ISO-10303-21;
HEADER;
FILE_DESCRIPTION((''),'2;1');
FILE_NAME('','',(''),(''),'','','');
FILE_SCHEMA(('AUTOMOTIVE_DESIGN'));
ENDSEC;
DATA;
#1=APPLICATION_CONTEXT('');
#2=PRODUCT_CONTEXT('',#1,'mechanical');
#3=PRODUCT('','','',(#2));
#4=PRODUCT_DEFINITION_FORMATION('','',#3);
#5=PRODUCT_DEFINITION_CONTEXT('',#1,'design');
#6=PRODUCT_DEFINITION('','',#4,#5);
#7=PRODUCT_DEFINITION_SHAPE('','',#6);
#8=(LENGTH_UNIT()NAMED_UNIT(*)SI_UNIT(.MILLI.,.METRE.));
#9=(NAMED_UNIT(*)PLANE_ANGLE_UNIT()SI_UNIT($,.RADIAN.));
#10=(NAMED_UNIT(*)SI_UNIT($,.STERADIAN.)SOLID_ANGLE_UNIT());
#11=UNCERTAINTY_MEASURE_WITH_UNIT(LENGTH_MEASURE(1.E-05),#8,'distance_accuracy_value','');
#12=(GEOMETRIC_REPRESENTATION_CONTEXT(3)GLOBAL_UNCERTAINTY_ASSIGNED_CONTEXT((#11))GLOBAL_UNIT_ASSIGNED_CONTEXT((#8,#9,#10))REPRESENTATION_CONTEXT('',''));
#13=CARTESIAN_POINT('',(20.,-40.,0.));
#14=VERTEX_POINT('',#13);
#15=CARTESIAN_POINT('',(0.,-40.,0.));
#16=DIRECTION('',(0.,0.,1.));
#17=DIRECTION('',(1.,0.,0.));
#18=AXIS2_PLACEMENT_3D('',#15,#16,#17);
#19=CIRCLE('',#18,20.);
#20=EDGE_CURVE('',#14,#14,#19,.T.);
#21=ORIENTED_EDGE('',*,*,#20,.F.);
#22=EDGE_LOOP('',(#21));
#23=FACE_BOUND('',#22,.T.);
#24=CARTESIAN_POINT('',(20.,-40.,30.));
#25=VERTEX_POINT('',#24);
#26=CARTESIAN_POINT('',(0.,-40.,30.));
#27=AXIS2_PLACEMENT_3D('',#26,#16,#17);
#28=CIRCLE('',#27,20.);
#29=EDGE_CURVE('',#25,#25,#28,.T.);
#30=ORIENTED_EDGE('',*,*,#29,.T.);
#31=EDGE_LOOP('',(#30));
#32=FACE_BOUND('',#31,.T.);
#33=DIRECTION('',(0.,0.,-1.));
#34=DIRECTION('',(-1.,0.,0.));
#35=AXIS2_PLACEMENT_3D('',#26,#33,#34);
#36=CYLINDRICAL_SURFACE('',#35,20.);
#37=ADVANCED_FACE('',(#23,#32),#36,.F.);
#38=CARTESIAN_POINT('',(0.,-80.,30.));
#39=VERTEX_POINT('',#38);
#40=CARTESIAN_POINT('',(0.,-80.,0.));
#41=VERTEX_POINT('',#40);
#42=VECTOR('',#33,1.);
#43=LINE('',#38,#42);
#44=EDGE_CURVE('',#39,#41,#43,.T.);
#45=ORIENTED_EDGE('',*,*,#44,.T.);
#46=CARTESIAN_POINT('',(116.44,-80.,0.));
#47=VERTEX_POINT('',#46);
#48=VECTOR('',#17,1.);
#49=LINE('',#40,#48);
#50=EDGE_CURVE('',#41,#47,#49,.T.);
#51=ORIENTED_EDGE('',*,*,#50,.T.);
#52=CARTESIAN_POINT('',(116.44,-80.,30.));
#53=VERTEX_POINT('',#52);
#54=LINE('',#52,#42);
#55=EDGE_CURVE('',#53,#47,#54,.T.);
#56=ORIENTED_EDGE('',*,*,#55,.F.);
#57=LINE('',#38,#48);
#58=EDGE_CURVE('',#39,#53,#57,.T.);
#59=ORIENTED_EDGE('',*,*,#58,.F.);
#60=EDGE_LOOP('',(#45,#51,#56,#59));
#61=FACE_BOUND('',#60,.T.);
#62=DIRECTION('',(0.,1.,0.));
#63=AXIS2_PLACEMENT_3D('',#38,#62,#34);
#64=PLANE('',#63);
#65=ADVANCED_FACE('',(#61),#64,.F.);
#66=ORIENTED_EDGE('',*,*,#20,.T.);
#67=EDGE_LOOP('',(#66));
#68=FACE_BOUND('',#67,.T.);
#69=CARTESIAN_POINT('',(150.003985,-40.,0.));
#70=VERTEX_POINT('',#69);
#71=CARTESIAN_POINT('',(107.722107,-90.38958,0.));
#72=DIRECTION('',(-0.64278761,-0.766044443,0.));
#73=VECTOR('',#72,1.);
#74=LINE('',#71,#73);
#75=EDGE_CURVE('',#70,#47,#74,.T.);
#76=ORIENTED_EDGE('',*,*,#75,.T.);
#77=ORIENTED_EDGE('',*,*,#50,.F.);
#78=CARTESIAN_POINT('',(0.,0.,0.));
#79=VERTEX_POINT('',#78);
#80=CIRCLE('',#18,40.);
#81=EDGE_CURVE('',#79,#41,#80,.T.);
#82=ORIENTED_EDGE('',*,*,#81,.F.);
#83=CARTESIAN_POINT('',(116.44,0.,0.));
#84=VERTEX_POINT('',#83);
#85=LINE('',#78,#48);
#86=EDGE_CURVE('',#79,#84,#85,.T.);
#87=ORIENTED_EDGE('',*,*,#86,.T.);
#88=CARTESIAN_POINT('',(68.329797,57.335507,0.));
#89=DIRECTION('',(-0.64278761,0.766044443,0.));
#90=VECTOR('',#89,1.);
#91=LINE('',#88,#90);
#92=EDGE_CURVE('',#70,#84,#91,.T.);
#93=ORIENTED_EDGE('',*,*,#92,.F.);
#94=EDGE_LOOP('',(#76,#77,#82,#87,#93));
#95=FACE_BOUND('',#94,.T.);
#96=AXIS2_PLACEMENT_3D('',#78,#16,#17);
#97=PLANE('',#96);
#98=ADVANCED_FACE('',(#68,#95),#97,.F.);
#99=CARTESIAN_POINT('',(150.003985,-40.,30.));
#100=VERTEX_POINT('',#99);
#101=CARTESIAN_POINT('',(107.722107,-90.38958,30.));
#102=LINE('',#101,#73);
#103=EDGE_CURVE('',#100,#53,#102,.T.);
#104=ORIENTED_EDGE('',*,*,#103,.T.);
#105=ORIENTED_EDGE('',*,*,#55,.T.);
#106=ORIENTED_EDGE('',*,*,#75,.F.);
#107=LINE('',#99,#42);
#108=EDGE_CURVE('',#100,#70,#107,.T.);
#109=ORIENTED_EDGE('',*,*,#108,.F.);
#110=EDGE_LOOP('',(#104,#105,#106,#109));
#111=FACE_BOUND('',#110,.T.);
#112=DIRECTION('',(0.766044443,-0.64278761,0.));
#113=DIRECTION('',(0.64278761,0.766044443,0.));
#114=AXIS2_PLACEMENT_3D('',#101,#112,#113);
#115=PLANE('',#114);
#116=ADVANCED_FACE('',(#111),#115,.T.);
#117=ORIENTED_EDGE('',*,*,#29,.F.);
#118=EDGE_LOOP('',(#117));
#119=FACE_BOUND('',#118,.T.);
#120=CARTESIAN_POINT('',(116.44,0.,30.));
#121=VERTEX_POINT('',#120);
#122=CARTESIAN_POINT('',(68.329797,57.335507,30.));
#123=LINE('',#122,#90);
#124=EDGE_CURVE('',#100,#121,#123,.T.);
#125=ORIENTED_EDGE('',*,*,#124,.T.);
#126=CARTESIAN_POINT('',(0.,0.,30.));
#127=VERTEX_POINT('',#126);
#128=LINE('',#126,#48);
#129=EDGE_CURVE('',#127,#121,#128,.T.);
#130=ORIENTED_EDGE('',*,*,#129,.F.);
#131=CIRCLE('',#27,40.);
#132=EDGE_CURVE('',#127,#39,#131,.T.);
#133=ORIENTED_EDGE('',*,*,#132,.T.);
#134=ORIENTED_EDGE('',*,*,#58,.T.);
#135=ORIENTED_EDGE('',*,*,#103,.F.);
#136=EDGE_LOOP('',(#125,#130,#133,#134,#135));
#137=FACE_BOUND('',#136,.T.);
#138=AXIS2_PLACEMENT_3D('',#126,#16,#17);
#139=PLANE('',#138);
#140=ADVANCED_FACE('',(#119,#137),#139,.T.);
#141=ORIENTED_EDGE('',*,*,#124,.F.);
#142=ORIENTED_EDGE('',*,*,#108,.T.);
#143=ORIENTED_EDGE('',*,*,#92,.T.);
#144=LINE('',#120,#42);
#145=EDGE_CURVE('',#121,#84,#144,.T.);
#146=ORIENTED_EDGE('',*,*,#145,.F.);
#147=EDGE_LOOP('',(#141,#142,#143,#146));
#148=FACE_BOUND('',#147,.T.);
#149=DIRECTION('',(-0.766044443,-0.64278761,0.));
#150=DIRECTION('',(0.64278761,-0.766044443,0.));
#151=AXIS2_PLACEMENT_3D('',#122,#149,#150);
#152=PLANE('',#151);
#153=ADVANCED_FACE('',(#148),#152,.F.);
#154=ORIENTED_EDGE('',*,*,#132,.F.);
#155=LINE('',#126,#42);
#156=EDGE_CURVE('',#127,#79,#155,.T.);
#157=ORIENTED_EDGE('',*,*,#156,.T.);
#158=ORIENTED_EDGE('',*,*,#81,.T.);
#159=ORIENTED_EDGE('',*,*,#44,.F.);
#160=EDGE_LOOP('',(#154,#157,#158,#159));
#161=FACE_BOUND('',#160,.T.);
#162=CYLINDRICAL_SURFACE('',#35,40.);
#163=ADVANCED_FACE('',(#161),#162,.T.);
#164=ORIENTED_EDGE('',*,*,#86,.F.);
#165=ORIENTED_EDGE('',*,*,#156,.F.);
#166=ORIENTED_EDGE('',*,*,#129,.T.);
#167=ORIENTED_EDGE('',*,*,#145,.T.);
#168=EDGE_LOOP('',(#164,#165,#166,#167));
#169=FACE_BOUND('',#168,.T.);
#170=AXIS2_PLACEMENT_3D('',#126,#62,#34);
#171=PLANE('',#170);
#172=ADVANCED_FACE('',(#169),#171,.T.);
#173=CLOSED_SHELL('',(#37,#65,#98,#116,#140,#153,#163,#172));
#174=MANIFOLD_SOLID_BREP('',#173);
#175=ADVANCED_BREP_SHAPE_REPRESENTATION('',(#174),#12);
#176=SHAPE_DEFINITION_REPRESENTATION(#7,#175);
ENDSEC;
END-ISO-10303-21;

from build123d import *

# Parameters (mm, degrees)
SKETCH2_R           = 20
BOSS_EXTRUDE1_DEPTH = 30


with BuildPart() as part:
    # Sketch2 → Boss-Extrude1 (new body)
    with BuildSketch(Plane.XY):
        with BuildLine():
            Line((0, 0), (116.439999925, 0))
            Line((116.439999925, 0), (150.003985172, -40))
            Line((150.003985172, -40), (116.439999925, -80))
            Line((116.439999925, -80), (0, -80))
            ThreePointArc((0, -80), (-40, -40), (0, 0))
        make_face()
        with Locations((0, -40)):
            Circle(SKETCH2_R, mode=Mode.SUBTRACT)
    extrude(amount=BOSS_EXTRUDE1_DEPTH)


solid = part.part
